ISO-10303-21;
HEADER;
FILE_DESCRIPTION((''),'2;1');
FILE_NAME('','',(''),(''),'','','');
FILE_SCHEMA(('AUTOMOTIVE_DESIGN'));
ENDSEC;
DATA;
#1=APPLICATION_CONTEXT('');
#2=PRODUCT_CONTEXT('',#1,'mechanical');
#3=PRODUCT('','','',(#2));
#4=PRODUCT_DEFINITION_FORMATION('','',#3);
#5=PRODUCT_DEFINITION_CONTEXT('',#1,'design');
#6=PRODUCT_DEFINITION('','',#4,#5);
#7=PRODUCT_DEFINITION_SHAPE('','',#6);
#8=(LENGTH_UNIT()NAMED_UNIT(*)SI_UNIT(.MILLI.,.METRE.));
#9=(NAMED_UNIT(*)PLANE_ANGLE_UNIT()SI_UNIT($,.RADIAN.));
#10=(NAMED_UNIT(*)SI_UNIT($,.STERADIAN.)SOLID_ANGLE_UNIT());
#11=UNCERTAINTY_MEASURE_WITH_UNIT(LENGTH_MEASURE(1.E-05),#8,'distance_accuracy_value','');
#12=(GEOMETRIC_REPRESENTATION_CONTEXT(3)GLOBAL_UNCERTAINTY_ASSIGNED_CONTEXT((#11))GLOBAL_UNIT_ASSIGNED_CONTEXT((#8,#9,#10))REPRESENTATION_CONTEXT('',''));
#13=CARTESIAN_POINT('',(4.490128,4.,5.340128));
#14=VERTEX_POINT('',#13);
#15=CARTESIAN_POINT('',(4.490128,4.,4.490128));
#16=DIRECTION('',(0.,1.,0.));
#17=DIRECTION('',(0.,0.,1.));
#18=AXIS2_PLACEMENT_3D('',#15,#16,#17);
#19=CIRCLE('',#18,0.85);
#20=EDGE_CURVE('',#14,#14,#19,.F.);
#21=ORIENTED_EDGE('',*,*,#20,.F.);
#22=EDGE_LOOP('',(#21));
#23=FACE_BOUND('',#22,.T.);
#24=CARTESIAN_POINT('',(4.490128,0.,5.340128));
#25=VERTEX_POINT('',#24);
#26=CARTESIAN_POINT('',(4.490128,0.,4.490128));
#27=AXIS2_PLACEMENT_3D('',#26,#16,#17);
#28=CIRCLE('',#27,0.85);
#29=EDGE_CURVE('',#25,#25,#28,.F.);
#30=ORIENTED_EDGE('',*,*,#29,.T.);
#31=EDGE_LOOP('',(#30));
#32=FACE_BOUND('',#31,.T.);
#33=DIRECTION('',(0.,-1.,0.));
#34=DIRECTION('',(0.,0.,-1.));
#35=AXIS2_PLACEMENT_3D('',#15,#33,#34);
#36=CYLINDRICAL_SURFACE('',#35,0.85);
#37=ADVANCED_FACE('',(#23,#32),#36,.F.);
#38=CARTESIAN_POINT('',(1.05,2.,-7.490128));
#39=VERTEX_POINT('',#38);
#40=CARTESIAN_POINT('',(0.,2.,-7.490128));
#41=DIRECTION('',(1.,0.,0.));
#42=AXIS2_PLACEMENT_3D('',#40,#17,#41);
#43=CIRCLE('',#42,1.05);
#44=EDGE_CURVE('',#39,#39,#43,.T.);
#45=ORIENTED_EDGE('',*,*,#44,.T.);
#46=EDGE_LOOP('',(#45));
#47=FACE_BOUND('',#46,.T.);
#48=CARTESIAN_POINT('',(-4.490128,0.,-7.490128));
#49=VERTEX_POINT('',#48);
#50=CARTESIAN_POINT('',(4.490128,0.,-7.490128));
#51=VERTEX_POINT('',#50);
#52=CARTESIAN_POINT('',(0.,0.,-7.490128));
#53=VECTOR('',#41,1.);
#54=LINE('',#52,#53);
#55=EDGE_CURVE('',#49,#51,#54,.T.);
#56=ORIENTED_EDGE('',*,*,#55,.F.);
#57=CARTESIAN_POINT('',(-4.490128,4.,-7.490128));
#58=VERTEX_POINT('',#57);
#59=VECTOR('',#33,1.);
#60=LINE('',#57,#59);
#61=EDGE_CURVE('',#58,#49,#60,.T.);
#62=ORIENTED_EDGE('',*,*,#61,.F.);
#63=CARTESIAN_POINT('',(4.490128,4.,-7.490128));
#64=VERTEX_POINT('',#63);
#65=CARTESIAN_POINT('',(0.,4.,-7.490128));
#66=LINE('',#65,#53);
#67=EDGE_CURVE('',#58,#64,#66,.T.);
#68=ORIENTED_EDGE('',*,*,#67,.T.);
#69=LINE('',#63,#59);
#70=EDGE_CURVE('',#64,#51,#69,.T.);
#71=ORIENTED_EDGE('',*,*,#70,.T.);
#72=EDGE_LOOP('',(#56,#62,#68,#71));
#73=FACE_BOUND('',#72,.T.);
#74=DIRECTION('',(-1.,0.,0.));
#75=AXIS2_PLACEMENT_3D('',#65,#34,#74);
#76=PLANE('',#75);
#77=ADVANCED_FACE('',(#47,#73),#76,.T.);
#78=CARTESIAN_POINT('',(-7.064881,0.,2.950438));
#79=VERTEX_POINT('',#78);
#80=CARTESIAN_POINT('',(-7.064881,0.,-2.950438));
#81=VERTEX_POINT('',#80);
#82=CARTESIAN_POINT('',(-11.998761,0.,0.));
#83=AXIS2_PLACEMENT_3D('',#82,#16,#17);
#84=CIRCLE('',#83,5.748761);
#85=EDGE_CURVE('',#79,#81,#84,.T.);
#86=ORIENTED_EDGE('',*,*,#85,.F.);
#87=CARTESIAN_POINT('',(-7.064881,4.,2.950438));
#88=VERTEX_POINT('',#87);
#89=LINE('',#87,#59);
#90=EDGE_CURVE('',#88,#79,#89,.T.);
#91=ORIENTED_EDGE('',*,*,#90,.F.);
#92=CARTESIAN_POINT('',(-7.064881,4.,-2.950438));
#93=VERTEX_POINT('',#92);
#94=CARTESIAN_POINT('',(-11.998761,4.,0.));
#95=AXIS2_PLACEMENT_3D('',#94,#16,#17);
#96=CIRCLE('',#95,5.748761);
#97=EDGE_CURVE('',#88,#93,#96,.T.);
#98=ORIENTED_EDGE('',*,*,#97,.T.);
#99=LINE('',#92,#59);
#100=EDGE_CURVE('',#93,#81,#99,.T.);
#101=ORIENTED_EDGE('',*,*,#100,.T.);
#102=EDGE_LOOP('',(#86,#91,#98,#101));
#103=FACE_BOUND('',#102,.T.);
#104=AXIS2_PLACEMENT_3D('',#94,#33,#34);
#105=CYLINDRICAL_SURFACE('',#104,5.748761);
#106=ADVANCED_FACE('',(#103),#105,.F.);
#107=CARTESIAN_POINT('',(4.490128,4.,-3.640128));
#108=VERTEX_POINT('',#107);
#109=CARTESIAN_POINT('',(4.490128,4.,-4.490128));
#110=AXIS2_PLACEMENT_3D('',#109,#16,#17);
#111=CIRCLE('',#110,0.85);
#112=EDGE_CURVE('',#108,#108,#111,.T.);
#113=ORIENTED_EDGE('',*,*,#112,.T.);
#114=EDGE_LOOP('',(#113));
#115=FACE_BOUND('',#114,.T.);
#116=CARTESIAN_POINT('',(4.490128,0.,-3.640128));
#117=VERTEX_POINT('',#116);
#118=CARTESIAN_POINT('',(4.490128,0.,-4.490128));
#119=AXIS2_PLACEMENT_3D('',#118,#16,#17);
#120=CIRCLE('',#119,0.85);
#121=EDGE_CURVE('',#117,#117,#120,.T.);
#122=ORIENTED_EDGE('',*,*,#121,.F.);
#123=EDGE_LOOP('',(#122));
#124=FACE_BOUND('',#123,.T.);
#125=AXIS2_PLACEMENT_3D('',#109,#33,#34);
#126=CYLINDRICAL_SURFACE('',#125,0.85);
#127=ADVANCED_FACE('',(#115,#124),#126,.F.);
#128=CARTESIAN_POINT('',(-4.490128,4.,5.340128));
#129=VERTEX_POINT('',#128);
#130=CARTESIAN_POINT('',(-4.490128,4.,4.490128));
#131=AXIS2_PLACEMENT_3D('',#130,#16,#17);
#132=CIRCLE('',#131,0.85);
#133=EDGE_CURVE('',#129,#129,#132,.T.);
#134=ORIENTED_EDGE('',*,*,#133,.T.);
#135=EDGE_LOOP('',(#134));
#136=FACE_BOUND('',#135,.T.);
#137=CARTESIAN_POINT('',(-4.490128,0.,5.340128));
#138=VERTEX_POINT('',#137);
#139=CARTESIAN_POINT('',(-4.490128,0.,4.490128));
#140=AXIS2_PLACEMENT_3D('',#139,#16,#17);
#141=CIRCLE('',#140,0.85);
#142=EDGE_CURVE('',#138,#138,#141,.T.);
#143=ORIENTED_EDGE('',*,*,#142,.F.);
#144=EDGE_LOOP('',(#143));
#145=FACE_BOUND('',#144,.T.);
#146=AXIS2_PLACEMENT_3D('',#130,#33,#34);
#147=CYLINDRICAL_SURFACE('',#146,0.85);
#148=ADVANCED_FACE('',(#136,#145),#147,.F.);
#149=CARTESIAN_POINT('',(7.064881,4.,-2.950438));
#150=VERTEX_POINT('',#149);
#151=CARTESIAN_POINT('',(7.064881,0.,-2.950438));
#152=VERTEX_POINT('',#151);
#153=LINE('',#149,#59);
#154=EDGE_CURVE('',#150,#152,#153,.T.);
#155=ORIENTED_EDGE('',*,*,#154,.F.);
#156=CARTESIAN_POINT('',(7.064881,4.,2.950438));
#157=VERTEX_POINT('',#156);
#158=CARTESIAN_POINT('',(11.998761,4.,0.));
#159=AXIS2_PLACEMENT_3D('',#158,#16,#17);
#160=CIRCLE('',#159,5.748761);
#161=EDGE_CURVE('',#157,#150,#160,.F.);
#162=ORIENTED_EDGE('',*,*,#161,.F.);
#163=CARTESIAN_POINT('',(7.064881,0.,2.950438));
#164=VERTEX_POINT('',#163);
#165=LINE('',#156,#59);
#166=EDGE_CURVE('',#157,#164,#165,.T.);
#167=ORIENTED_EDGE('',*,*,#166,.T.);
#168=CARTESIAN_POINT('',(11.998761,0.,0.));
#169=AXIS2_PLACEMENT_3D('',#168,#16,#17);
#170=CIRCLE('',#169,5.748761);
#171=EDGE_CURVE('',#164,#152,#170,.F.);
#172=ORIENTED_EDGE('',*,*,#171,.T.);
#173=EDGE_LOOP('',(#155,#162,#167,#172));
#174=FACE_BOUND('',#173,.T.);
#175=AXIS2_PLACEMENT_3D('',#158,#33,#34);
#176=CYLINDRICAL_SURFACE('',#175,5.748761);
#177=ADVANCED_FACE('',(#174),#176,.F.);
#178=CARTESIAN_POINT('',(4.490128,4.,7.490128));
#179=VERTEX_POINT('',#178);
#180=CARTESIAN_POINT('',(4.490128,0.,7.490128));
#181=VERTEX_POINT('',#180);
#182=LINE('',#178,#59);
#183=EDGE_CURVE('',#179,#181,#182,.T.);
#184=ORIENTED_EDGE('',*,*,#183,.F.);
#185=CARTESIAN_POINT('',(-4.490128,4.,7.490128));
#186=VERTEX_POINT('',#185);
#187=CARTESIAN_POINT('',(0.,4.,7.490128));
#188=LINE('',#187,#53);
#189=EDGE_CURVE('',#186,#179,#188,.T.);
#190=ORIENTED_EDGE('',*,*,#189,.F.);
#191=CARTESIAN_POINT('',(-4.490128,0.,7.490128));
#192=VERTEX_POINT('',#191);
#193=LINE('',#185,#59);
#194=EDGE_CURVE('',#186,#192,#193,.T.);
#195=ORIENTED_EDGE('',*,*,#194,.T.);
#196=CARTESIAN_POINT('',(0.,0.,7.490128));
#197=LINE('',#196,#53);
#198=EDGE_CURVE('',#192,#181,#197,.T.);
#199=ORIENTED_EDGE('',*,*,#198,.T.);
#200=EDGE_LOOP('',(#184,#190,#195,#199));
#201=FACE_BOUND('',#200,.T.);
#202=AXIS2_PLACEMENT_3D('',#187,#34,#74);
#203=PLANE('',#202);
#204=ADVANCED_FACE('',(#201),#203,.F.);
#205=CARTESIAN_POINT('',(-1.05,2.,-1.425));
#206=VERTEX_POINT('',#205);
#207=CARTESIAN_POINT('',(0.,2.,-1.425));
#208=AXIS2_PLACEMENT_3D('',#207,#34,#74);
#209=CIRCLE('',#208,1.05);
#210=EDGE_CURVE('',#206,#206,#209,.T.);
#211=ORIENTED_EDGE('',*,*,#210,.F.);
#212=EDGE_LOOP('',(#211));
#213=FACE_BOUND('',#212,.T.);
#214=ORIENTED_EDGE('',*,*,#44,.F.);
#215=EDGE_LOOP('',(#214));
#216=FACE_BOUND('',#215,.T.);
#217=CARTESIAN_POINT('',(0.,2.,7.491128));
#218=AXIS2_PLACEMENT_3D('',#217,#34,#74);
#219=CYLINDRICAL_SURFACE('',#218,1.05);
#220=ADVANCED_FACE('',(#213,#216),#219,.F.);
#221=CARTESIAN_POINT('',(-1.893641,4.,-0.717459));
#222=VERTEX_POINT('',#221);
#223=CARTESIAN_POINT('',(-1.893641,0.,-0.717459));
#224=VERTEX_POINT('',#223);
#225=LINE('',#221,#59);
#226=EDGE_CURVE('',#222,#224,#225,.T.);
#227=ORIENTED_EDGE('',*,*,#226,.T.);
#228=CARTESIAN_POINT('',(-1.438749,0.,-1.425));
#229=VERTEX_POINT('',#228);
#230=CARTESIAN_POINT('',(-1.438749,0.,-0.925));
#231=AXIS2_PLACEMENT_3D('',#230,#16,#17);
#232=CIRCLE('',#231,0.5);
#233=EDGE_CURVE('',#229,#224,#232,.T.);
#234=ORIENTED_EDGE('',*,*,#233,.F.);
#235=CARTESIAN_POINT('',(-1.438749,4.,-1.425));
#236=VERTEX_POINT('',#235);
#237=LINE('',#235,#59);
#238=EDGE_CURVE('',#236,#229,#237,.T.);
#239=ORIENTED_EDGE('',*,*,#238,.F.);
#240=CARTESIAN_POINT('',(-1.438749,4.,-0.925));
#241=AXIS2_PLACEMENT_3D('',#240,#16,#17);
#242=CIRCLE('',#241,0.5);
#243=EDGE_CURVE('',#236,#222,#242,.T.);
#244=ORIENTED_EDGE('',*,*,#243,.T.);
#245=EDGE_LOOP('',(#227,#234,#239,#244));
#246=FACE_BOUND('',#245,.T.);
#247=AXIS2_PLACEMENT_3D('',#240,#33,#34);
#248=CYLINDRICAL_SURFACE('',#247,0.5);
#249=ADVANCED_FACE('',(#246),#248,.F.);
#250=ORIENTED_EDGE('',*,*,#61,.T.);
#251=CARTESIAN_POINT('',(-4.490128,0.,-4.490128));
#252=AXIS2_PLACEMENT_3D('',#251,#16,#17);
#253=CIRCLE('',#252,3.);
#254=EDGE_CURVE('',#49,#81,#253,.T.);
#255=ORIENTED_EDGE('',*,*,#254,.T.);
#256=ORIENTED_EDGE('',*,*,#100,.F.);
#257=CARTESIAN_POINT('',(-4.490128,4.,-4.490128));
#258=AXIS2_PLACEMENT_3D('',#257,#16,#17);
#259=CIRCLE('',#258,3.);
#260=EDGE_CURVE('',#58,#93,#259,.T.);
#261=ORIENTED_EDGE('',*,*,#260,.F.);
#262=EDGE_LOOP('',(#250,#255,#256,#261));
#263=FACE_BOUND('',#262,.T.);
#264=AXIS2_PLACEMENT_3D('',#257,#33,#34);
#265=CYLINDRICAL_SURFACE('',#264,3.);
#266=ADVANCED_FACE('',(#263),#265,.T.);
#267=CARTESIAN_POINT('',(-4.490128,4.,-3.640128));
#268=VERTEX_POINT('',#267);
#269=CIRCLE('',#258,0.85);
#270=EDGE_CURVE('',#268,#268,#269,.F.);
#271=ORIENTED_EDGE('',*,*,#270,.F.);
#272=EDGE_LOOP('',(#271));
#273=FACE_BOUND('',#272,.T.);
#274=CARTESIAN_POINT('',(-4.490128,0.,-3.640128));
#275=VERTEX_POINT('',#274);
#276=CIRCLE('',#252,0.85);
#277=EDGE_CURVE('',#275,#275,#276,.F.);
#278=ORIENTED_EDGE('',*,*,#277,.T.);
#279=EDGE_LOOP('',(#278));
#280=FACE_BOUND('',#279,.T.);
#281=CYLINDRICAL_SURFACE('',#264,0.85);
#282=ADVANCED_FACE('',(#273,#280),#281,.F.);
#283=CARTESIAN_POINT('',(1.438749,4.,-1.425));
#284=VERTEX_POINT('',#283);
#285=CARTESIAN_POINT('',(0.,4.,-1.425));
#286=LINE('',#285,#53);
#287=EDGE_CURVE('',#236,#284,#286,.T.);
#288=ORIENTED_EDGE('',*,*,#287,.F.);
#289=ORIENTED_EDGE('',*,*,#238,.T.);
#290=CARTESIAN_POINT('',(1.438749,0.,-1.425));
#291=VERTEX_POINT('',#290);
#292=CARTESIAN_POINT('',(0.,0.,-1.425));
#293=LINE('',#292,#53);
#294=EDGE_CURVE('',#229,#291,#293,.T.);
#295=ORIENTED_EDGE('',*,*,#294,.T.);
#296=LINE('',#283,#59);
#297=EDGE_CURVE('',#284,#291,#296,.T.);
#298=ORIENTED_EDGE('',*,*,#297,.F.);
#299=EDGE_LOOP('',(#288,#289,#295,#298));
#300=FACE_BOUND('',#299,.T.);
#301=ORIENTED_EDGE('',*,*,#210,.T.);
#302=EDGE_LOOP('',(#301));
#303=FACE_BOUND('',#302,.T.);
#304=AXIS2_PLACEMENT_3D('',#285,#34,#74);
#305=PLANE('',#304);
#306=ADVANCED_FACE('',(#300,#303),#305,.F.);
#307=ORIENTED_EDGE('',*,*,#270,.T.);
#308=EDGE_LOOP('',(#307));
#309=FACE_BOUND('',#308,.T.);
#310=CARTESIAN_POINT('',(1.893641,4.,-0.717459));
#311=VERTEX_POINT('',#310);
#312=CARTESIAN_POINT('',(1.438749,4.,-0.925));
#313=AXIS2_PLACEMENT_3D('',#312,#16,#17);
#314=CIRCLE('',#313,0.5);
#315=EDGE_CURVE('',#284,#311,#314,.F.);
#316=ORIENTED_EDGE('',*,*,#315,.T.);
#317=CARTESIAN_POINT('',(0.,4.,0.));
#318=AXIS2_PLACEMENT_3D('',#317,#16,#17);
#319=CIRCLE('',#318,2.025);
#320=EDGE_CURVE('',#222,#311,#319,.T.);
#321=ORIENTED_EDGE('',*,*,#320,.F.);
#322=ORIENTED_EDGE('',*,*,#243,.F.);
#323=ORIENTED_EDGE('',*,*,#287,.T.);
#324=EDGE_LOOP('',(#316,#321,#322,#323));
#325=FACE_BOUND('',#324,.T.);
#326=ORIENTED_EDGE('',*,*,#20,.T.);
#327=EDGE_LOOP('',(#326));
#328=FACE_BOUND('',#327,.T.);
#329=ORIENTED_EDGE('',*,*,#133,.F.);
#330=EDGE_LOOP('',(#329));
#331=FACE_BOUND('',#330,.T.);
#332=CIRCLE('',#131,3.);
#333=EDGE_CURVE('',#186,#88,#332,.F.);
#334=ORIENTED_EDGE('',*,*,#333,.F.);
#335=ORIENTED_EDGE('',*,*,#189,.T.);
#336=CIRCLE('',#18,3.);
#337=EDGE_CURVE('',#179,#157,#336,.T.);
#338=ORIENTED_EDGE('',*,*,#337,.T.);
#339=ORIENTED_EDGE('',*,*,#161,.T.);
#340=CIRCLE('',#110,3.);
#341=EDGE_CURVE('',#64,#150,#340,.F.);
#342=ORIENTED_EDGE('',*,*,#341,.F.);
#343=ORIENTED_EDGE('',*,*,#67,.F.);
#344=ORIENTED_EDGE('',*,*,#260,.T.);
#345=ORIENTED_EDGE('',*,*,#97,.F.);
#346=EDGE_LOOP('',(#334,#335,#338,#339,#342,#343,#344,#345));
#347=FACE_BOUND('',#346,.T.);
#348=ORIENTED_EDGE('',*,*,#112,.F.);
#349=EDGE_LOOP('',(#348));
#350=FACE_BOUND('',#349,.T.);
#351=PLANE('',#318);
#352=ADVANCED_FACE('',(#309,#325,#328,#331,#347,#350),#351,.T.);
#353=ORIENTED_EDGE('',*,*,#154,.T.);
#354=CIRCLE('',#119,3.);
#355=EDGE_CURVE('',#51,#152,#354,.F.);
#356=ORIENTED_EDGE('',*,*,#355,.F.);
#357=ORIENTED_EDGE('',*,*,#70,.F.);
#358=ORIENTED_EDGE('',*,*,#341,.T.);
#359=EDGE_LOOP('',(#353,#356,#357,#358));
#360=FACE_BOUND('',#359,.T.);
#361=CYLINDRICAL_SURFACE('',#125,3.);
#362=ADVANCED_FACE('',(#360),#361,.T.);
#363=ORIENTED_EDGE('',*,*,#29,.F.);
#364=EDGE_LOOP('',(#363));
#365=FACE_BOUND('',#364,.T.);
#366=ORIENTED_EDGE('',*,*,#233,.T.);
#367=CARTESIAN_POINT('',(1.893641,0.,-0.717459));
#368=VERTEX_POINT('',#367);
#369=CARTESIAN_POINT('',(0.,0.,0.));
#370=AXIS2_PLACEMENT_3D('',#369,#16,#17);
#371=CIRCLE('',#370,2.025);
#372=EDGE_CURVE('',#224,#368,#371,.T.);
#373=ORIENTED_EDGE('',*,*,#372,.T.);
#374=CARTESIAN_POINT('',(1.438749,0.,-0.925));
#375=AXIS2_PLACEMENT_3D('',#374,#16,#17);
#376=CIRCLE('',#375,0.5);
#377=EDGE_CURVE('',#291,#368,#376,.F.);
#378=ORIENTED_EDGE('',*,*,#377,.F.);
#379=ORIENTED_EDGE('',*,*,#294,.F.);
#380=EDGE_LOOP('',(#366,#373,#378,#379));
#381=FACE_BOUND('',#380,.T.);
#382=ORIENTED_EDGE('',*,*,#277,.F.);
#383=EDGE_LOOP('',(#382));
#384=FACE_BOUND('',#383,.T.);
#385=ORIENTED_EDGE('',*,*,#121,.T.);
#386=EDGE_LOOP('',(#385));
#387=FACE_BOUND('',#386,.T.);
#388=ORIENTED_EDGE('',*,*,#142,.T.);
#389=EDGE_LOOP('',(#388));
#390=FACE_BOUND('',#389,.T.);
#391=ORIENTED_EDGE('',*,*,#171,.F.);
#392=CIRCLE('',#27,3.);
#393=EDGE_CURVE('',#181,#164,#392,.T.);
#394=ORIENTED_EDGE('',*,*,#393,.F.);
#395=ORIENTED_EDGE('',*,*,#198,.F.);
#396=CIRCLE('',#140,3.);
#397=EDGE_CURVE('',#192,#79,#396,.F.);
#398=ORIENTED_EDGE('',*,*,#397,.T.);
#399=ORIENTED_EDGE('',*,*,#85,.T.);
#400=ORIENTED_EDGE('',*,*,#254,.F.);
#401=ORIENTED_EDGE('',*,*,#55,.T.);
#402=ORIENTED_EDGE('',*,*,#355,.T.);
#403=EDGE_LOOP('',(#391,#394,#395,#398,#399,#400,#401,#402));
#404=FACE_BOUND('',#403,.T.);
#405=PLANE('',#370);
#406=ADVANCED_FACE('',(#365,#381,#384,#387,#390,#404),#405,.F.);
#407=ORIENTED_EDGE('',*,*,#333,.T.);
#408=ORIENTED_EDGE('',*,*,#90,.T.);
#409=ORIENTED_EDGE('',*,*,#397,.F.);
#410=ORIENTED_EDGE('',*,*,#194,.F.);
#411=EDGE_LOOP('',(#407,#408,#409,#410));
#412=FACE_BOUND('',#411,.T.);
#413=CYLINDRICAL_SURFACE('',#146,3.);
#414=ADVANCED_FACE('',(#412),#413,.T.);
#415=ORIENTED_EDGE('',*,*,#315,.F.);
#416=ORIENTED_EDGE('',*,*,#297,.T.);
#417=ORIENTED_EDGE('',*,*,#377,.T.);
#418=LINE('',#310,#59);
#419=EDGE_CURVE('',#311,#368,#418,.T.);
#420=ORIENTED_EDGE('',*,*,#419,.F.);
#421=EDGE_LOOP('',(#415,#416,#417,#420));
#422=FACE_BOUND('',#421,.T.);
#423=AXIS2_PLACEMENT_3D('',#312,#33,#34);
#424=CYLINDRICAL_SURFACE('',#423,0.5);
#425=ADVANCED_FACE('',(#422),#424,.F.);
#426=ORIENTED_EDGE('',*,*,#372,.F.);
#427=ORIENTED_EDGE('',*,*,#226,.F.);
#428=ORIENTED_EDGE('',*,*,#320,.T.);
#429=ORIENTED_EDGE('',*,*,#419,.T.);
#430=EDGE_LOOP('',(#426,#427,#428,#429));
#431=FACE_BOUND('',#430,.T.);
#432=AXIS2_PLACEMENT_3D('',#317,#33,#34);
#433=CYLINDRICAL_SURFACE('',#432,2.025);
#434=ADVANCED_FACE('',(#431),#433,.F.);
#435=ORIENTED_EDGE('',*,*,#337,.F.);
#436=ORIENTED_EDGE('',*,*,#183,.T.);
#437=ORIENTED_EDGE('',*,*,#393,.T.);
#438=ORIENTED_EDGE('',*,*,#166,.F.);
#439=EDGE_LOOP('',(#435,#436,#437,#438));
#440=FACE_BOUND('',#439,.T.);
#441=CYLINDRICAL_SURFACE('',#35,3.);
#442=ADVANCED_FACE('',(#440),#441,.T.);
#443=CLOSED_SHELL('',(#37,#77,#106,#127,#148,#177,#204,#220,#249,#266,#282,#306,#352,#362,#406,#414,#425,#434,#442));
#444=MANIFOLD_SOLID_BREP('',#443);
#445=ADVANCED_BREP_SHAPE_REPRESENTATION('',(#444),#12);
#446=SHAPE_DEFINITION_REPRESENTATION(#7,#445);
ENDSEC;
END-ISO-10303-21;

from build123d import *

# Parameters (mm, degrees)
SKETCH1_R                 = 0.85
BASE_SHAPE_DEPTH          = 4
M2_5_GRUB_SCREW_CUT_REACH = 16.98
SKETCH3_R                 = 1.05


with BuildPart() as part:
    # Sketch1 → Base shape (new body)
    with BuildSketch(Plane(origin=(0, 0, 0), x_dir=(1, 0, 0), z_dir=(0, 1, 0))):
        with BuildLine():
            Line((4.490128061, 7.490128061), (-4.490128061, 7.490128061))
            ThreePointArc((-4.490128061, 7.490128061), (-7.099636787, 5.970149752), (-7.064881074, 2.950437533))
            ThreePointArc((-7.064881074, 2.950437533), (-6.25, 0), (-7.064881074, -2.950437533))
            ThreePointArc((-7.064881074, -2.950437533), (-7.099636787, -5.970149752), (-4.490128061, -7.490128061))
            Line((-4.490128061, -7.490128061), (4.490128061, -7.490128061))
            ThreePointArc((4.490128061, -7.490128061), (7.099636787, -5.970149752), (7.064881074, -2.950437533))
            ThreePointArc((7.064881074, -2.950437533), (6.25, 0), (7.064881074, 2.950437533))
            ThreePointArc((7.064881074, 2.950437533), (7.099636787, 5.970149752), (4.490128061, 7.490128061))
        make_face()
        with BuildLine():
            Line((-1.438749457, 1.425), (1.438749457, 1.425))
            ThreePointArc((1.438749457, 1.425), (1.859326776, 1.195397336), (1.893641402, 0.717458876))
            ThreePointArc((1.893641402, 0.717458876), (0, -2.025), (-1.893641402, 0.717458876))
            ThreePointArc((-1.893641402, 0.717458876), (-1.859326776, 1.195397336), (-1.438749457, 1.425))
        make_face(mode=Mode.SUBTRACT)
        with Locations((-4.490128061, 4.490128061)):
            Circle(SKETCH1_R, mode=Mode.SUBTRACT)
        with Locations((4.490128061, 4.490128061)):
            Circle(SKETCH1_R, mode=Mode.SUBTRACT)
        with Locations((-4.490128061, -4.490128061)):
            Circle(SKETCH1_R, mode=Mode.SUBTRACT)
        with Locations((4.490128061, -4.490128061)):
            Circle(SKETCH1_R, mode=Mode.SUBTRACT)
    extrude(amount=BASE_SHAPE_DEPTH)

    # Sketch3 → M2.5 Grub screw cut (cut, up to next)
    with BuildSketch(Plane.XY.offset(-7.490128061), mode=Mode.PRIVATE) as m2_5_grub_screw_cut_sk1:
        with Locations((0, 2)):
            Circle(SKETCH3_R)
    m2_5_grub_screw_cut_tool1 = extrude(m2_5_grub_screw_cut_sk1.sketch, amount=M2_5_GRUB_SCREW_CUT_REACH, mode=Mode.PRIVATE) & part.part
    add(m2_5_grub_screw_cut_tool1.solids().sort_by_distance((0, 2, -7.490128))[0], mode=Mode.SUBTRACT)


solid = part.part
